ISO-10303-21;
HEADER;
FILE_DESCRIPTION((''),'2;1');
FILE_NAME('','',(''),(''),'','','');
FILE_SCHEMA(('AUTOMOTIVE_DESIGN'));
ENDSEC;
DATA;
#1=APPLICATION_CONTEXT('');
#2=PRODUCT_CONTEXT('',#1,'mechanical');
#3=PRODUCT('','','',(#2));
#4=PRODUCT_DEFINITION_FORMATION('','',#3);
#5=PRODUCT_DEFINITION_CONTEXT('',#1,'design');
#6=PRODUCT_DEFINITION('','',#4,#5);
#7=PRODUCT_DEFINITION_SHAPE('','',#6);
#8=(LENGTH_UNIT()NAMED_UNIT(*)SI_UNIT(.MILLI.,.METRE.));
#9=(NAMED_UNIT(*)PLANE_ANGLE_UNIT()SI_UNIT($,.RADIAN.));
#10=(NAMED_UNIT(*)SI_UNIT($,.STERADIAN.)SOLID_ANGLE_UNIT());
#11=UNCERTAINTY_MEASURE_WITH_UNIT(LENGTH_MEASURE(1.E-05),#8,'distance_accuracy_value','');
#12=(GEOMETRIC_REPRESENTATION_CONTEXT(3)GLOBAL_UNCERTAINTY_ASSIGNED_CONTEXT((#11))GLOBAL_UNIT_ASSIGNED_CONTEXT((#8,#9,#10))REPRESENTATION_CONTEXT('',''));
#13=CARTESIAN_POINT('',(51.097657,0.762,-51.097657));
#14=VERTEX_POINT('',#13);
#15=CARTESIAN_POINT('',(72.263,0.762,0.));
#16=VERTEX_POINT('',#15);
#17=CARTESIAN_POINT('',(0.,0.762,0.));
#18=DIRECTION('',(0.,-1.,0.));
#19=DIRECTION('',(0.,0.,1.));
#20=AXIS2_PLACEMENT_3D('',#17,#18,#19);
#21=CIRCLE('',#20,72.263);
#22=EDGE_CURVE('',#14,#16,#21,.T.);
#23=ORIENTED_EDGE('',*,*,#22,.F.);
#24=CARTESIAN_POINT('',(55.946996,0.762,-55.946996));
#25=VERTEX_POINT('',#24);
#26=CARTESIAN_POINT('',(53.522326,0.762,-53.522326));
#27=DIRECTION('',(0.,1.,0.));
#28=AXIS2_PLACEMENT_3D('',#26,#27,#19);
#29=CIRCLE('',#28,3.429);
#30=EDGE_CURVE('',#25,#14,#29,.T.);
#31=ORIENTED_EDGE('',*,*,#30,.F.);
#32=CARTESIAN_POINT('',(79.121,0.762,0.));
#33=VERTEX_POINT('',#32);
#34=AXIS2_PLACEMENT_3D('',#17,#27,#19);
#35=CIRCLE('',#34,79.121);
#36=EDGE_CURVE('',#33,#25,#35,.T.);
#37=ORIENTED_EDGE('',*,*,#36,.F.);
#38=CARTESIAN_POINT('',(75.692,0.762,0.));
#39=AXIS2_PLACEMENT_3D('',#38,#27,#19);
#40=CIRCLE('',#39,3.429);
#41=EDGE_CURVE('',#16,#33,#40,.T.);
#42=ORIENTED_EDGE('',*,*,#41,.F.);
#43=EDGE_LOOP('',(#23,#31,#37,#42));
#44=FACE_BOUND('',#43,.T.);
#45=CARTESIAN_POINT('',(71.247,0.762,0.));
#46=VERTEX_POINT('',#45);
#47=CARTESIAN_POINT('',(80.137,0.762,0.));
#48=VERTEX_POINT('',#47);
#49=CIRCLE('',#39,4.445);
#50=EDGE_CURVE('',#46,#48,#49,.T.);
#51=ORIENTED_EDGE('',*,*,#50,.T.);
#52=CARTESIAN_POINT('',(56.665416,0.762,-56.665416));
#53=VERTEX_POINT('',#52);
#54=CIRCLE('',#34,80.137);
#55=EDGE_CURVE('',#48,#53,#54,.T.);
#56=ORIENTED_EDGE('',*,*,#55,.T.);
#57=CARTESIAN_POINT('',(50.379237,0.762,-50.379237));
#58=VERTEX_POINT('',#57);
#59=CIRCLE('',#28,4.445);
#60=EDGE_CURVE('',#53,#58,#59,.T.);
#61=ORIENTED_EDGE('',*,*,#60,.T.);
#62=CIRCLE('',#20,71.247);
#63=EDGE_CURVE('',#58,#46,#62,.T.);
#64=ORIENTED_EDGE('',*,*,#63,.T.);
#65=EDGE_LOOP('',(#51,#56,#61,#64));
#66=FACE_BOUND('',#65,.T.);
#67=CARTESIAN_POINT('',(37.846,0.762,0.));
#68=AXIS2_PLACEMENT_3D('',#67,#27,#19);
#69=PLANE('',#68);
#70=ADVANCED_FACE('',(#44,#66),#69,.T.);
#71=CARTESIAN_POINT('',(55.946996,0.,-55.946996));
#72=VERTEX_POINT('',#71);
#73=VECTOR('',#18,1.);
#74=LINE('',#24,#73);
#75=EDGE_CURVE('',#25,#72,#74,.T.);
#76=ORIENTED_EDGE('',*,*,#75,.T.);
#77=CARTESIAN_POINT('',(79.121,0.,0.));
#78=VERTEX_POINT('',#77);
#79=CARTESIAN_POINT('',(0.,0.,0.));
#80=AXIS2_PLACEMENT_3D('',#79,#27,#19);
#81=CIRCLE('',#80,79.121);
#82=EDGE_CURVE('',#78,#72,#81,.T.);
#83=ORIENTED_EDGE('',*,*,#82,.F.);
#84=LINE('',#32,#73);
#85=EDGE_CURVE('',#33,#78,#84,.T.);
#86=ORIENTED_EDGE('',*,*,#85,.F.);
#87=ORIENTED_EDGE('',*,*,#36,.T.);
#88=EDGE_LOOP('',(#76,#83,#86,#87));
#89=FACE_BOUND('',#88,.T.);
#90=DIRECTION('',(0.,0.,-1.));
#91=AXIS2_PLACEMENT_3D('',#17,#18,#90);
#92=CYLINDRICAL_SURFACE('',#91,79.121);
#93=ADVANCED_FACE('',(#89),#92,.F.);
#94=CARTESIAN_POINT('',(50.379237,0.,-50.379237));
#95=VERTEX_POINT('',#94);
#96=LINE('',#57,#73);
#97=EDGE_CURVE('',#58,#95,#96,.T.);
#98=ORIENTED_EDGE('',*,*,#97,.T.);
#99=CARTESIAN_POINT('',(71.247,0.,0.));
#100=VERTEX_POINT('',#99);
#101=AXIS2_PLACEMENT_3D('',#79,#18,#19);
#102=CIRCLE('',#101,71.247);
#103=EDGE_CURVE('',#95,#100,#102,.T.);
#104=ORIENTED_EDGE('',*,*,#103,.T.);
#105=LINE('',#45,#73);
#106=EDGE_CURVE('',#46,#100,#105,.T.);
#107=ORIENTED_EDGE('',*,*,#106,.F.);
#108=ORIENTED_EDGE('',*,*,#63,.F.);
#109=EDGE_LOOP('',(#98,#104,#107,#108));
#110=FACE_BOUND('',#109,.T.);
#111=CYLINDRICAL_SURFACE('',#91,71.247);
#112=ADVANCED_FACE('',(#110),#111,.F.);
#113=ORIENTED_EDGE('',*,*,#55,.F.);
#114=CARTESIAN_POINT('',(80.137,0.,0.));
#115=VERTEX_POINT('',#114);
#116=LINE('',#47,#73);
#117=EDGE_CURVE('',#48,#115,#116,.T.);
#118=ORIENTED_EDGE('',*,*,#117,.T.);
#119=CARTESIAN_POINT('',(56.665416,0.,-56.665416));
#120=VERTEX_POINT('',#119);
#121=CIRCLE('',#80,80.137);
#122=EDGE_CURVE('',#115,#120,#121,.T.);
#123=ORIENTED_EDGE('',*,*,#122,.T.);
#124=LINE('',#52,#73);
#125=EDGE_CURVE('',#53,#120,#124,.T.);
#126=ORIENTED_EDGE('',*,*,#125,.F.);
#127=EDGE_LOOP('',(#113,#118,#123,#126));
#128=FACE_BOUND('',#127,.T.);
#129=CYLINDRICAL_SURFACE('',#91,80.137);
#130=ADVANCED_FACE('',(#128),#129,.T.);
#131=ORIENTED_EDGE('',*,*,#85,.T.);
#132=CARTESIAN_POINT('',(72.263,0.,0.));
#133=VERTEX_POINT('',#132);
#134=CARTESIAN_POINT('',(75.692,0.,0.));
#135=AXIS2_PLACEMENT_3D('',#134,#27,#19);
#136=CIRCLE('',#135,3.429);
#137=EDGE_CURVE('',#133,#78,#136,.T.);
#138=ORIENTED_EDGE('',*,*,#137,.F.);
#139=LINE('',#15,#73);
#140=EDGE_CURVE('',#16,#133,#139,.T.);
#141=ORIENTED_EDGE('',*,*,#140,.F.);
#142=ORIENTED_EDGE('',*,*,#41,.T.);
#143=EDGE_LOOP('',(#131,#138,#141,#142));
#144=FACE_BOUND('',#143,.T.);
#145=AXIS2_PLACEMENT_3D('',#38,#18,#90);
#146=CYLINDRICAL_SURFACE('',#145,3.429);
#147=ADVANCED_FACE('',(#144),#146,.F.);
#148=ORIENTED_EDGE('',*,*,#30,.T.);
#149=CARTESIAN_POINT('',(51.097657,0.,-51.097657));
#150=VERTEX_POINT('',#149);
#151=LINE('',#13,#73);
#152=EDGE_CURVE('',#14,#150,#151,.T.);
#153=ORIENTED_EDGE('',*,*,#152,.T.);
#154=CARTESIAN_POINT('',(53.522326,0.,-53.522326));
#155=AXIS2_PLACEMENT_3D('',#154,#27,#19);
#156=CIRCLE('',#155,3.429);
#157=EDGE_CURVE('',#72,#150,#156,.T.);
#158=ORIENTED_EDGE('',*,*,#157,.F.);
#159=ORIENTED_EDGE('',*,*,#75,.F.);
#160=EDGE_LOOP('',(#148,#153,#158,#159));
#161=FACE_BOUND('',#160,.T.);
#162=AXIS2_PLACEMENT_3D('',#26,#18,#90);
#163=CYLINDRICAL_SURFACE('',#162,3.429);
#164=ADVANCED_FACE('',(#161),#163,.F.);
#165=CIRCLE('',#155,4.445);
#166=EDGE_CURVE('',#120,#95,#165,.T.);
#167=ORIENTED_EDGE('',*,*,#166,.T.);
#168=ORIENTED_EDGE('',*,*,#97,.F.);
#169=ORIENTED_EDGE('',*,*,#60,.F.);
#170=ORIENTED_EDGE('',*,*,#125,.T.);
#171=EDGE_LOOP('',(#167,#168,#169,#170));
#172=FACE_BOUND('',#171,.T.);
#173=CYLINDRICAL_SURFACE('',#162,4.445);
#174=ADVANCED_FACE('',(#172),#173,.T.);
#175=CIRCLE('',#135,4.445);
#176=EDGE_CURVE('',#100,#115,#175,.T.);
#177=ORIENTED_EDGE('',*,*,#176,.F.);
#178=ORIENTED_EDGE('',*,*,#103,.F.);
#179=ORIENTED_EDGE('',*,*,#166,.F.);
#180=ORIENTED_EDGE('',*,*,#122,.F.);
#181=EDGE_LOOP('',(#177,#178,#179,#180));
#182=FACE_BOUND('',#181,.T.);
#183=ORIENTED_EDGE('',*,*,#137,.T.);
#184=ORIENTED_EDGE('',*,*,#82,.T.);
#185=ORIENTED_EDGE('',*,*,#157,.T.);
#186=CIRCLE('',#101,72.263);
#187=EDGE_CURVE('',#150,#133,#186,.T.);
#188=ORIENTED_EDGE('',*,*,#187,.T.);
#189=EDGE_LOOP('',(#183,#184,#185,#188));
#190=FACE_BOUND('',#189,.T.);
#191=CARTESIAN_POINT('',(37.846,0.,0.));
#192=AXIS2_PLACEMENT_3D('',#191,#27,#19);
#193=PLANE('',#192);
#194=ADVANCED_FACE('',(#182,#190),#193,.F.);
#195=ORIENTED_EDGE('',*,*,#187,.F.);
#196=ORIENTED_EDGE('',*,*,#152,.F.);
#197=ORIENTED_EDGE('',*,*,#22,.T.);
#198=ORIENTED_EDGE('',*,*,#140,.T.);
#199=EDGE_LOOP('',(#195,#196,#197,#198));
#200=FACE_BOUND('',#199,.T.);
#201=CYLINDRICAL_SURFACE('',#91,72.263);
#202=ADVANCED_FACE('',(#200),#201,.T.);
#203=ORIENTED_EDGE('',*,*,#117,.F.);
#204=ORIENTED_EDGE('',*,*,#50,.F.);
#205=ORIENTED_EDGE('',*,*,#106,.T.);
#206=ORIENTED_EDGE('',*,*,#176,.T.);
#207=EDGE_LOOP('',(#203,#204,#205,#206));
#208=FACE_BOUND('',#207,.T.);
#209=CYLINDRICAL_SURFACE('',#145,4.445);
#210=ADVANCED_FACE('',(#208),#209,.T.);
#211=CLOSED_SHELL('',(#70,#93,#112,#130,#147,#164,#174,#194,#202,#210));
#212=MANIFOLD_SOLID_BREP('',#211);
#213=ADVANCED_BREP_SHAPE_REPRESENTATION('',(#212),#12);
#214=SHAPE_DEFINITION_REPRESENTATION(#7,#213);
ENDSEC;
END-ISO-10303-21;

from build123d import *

# Parameters (mm, degrees)
BOSS_EXTRUDE1_DEPTH = 0.762


with BuildPart() as part:
    # Sketch1 → Boss-Extrude1 (new body)
    with BuildSketch(Plane(origin=(0, 0, 0), x_dir=(1, 0, 0), z_dir=(0, 1, 0))):
        with BuildLine():
            ThreePointArc((80.137, 0), (74.036934097, 30.667102219), (56.665416124, 56.665416124))
            ThreePointArc((56.665416124, 56.665416124), (50.379236839, 56.665416124), (50.379236839, 50.379236839))
            ThreePointArc((50.379236839, 50.379236839), (65.823645053, 27.265046506), (71.247, 0))
            ThreePointArc((71.247, 0), (75.692, -4.445), (80.137, 0))
        make_face()
        with BuildLine():
            ThreePointArc((79.121, 0), (73.098272492, 30.278295852), (55.946995634, 55.946995634))
            ThreePointArc((55.946995634, 55.946995634), (51.097657329, 55.946995634), (51.097657329, 51.097657329))
            ThreePointArc((51.097657329, 51.097657329), (66.762306658, 27.653852873), (72.263, 0))
            ThreePointArc((72.263, 0), (75.692, -3.429), (79.121, 0))
        make_face(mode=Mode.SUBTRACT)
    extrude(amount=BOSS_EXTRUDE1_DEPTH)


solid = part.part
